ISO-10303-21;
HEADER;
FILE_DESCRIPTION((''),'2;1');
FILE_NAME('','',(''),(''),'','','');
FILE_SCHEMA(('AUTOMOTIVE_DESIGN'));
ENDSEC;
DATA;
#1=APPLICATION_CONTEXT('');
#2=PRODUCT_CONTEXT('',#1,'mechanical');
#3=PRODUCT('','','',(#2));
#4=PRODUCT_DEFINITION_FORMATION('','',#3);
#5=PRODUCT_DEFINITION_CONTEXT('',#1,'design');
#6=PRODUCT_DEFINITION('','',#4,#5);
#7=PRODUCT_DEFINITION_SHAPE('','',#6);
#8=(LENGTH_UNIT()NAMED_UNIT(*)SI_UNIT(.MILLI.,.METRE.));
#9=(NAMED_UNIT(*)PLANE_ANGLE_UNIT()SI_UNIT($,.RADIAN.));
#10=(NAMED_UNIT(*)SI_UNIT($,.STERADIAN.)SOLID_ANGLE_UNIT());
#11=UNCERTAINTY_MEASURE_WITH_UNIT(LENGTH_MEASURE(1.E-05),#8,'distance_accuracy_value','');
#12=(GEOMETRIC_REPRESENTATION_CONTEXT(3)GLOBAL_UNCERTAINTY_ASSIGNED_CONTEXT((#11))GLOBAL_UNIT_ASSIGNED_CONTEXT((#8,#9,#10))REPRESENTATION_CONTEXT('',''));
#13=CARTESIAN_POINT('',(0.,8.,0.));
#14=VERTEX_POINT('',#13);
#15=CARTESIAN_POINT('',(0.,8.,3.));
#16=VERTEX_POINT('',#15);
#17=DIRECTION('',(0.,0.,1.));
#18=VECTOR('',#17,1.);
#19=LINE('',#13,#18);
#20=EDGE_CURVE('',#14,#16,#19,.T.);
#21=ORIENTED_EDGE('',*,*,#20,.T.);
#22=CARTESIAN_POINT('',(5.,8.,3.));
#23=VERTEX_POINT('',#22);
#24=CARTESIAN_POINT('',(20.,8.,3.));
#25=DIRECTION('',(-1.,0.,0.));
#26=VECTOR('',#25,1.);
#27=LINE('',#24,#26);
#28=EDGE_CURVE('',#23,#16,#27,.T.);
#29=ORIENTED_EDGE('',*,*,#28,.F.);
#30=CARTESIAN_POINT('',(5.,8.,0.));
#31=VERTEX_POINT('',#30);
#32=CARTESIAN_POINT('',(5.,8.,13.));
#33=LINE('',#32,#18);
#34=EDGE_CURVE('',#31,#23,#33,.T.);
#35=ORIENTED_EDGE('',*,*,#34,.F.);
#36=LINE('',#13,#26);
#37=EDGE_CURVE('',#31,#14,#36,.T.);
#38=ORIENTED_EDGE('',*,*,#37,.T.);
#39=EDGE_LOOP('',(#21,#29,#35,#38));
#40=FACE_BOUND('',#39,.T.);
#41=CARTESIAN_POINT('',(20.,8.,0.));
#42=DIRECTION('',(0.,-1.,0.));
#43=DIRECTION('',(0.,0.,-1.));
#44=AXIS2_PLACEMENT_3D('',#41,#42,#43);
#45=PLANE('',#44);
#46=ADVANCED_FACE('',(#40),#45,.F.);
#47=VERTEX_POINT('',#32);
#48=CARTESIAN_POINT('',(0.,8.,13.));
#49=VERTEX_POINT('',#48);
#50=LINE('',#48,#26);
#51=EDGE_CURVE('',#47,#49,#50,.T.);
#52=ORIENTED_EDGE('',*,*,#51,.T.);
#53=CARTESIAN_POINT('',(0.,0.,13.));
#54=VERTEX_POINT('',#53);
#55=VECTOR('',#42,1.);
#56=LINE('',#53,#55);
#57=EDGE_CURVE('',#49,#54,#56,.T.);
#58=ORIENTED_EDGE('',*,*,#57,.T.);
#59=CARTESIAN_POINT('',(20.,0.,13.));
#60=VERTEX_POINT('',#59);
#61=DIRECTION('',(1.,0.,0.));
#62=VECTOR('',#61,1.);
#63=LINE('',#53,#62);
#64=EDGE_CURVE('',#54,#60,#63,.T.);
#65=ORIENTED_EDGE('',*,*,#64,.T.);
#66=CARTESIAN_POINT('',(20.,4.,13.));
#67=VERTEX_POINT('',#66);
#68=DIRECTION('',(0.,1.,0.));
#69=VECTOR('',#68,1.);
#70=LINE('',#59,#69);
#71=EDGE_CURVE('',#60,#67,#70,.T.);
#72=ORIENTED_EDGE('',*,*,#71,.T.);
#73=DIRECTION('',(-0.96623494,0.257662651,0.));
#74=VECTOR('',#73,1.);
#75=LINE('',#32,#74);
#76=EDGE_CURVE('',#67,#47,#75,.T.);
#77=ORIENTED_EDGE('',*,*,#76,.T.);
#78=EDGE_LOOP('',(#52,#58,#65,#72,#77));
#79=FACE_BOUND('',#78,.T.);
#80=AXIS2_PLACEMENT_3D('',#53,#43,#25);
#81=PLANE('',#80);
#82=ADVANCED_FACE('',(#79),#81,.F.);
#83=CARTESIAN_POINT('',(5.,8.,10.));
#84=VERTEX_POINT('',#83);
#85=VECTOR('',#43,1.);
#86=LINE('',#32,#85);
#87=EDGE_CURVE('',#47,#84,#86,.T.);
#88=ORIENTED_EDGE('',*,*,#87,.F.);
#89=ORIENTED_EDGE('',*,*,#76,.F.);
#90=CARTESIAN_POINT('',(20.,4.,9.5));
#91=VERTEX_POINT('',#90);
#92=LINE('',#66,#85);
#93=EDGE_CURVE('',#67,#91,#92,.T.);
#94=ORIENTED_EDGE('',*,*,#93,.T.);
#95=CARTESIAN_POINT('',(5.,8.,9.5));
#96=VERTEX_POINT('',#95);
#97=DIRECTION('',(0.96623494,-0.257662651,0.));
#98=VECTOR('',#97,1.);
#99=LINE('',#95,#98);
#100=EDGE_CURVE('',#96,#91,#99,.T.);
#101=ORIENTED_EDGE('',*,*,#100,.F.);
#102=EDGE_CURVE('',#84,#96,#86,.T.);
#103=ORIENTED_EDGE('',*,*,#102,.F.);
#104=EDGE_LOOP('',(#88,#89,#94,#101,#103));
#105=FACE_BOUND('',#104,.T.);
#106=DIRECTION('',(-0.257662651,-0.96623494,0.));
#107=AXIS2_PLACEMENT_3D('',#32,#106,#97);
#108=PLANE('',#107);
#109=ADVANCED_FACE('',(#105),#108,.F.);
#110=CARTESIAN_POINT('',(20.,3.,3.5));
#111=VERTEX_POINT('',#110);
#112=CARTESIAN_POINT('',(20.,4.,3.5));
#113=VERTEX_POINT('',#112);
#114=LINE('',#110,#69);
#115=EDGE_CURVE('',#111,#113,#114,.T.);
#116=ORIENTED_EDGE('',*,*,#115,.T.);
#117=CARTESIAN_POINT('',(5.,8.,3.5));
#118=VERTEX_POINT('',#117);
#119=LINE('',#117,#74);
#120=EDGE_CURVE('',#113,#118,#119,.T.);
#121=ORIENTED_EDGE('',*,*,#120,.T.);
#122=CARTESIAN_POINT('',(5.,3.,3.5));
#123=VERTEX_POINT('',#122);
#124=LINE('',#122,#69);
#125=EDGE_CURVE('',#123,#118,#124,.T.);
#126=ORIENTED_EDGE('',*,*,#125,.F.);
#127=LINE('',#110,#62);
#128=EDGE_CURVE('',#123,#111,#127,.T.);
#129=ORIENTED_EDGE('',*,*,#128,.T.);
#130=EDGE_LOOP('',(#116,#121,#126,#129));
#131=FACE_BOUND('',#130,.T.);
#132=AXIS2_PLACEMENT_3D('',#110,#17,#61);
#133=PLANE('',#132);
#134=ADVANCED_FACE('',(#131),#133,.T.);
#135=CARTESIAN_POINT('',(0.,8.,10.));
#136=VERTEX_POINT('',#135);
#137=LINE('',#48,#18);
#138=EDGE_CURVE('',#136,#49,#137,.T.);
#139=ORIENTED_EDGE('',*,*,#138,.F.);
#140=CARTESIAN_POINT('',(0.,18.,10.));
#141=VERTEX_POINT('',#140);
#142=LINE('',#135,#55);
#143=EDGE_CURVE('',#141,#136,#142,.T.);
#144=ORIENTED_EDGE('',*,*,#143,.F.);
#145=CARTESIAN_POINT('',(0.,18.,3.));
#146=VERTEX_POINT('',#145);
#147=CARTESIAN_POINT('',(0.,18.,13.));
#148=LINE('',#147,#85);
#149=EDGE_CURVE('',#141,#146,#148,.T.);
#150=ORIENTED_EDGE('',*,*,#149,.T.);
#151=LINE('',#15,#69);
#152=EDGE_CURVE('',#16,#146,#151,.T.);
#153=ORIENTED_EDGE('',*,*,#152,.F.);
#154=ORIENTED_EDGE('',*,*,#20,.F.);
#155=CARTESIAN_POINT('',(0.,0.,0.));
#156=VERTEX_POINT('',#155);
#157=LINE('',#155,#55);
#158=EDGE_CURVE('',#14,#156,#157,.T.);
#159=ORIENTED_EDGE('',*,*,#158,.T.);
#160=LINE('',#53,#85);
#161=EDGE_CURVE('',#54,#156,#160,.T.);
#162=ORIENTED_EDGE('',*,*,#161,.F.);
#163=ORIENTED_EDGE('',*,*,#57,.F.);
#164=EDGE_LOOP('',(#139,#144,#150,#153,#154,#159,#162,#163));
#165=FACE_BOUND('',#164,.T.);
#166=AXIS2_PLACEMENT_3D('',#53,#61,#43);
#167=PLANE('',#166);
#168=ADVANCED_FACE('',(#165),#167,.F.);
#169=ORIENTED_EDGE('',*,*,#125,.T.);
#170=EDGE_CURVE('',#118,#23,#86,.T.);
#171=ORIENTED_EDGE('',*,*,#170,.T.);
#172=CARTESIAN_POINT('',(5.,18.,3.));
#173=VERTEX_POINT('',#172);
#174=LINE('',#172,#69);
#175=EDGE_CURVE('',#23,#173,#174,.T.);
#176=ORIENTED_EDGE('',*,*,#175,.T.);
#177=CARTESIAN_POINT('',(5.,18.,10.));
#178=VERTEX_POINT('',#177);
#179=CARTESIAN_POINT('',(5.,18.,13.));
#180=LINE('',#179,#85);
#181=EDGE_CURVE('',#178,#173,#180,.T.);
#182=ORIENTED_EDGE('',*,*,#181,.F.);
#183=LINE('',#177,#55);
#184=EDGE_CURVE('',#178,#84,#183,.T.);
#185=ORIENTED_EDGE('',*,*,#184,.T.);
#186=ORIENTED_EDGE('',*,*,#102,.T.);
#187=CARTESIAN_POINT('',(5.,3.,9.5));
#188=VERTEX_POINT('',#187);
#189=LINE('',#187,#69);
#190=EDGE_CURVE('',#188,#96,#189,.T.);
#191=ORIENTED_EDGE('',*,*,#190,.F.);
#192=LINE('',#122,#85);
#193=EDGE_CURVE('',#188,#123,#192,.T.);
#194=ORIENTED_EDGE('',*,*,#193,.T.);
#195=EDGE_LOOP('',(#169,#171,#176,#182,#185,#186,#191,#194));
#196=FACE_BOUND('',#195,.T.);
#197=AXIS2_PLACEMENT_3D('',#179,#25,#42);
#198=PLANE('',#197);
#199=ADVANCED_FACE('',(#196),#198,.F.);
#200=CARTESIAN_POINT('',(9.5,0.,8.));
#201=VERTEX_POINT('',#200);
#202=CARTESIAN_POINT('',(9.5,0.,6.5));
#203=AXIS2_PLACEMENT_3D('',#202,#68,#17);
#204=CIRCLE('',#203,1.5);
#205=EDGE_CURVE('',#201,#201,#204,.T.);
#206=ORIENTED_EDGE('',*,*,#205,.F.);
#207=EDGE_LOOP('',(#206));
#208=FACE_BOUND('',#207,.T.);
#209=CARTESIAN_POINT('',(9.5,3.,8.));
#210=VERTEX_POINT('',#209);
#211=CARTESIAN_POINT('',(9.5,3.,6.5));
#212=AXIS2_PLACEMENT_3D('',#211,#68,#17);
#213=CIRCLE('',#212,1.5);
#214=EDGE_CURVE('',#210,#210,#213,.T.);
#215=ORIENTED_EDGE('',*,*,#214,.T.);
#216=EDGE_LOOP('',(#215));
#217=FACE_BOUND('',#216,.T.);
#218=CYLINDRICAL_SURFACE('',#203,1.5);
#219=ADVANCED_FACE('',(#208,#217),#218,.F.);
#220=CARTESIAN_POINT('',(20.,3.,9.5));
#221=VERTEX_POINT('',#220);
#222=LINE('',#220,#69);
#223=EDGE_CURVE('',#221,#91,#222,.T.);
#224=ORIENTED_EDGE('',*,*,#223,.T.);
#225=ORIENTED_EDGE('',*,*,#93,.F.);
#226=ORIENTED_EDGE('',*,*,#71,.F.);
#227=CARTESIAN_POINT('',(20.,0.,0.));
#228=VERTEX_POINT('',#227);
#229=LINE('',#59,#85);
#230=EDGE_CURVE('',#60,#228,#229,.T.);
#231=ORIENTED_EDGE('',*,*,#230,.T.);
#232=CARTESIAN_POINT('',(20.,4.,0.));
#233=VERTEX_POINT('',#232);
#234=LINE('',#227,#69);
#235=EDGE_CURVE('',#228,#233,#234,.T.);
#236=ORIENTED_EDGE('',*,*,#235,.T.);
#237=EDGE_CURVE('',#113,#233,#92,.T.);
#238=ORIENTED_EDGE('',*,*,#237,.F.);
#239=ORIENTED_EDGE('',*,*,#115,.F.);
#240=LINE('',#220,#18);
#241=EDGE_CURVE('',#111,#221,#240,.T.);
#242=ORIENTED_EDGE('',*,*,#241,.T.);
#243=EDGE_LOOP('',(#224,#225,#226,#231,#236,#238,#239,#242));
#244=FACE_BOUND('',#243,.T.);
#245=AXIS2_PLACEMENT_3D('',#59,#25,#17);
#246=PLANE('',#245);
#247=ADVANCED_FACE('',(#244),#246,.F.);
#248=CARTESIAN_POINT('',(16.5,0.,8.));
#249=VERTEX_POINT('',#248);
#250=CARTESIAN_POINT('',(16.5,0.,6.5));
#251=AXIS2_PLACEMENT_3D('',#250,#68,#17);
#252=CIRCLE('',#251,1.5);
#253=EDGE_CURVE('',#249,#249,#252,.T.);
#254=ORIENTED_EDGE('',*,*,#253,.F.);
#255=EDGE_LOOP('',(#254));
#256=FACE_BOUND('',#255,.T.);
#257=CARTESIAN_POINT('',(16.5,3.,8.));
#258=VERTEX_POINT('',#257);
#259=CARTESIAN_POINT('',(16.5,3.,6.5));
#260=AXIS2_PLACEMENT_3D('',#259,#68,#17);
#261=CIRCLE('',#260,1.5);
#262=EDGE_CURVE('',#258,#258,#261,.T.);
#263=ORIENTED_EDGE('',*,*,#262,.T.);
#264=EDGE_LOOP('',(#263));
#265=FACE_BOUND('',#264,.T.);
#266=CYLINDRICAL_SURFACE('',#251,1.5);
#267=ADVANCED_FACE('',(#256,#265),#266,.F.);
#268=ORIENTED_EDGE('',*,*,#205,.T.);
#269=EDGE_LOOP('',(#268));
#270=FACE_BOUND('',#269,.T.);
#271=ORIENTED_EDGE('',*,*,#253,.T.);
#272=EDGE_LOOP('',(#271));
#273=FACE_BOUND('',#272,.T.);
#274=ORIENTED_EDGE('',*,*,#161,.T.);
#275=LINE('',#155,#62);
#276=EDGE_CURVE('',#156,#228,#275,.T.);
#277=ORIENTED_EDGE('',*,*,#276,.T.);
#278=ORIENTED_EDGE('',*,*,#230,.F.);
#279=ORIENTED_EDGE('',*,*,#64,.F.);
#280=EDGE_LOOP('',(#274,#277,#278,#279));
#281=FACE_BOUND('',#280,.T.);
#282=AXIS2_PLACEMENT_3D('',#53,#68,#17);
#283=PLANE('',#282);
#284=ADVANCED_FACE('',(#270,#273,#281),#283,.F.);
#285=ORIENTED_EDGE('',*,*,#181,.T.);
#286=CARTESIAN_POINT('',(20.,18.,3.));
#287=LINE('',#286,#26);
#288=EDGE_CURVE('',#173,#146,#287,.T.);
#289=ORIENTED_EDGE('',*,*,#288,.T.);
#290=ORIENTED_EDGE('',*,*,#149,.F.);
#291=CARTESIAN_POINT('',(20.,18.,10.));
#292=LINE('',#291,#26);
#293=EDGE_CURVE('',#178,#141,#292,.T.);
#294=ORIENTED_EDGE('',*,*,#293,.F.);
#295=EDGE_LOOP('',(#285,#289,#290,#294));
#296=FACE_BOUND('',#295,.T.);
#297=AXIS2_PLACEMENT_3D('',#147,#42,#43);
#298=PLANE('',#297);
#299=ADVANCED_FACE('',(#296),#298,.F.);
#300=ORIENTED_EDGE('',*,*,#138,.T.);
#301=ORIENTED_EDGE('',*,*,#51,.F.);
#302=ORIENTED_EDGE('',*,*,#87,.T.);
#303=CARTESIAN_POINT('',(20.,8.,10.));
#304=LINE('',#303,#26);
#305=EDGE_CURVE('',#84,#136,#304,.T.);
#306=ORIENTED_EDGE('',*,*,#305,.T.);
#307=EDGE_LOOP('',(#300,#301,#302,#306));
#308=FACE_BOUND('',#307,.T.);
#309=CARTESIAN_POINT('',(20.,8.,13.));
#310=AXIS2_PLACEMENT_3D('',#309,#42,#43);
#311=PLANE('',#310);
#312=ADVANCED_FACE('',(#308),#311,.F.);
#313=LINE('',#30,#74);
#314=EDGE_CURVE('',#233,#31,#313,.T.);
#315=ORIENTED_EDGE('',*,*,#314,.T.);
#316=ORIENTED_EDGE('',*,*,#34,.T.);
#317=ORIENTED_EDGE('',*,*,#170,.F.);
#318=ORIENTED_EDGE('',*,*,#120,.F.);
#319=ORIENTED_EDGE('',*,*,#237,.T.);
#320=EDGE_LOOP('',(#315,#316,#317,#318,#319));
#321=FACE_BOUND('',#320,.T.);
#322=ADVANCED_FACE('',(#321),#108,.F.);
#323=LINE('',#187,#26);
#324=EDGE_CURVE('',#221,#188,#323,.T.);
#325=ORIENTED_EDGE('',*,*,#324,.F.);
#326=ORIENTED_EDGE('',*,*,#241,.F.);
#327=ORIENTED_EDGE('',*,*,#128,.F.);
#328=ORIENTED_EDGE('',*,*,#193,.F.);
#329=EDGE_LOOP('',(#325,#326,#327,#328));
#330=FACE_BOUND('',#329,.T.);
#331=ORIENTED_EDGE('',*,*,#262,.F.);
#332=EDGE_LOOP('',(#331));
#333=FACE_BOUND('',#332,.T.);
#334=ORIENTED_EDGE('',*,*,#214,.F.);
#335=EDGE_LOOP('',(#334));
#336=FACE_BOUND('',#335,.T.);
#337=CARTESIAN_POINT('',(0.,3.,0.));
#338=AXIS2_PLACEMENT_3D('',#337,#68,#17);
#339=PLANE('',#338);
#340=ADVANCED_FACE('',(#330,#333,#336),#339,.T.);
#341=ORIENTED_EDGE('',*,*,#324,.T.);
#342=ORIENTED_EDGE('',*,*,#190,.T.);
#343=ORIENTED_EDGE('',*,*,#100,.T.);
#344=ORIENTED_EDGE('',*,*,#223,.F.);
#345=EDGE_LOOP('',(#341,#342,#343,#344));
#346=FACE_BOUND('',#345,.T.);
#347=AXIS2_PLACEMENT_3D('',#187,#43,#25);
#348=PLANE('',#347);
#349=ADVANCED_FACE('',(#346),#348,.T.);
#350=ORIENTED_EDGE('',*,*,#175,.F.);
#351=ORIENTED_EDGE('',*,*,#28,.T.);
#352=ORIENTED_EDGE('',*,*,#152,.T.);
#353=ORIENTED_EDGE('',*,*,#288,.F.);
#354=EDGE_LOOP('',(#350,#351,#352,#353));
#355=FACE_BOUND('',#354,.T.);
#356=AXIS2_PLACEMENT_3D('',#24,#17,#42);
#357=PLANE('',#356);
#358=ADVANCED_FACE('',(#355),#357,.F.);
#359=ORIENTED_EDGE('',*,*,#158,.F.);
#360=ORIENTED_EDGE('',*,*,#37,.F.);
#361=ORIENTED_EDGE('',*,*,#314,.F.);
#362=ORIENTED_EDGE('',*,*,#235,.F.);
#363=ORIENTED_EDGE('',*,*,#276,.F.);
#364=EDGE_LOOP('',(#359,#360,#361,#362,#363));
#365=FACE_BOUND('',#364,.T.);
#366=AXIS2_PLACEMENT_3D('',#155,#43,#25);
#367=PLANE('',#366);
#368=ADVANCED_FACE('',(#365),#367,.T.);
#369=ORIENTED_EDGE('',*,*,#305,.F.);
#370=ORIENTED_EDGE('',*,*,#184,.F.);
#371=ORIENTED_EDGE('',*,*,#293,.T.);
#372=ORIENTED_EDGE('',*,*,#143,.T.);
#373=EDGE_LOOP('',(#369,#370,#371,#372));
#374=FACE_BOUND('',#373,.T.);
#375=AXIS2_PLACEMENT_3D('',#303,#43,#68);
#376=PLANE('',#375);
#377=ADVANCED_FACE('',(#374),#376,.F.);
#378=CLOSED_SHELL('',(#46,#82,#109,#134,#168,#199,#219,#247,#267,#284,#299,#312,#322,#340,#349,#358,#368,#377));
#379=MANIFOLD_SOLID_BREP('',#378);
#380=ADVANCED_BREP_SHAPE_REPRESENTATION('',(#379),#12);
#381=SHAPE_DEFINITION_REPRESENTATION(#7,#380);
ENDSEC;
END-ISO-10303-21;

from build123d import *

# Parameters (mm, degrees)
EXTRUDE_1_DEPTH     = 13
SKETCH_2_W          = 3
SKETCH_2_H          = 10
CUT_EXTRUDE_1_DEPTH = 30.883105595
CUT_EXTRUDE_2_DEPTH = 5
SKETCH_4_R          = 1.5
CUT_EXTRUDE_3_DEPTH = 29.178005607


with BuildPart() as part:
    # 草图1 → 凸台-拉伸1 (new body)
    with BuildSketch(Plane.XY):
        Polygon((0, 0), (20, 0), (20, 4), (5, 8), (5, 18), (0, 18), align=None)
    extrude(amount=EXTRUDE_1_DEPTH)

    # 草图2 → 切除-拉伸1 (cut, through all)
    with BuildSketch(Plane.ZY):
        with Locations((1.5, 13)):
            Rectangle(SKETCH_2_W, SKETCH_2_H)
        with Locations((11.5, 13)):
            Rectangle(SKETCH_2_W, SKETCH_2_H)
    extrude(amount=-CUT_EXTRUDE_1_DEPTH, mode=Mode.SUBTRACT)

    # 草图3 → 切除-拉伸2 (cut)
    with BuildSketch(Plane(origin=(0, 8, 0), x_dir=(-1, 0, 0), z_dir=(0, -1, 0))):
        Polygon((-5, -6.5), (-5, -9.5), (-20, -9.5), (-20, -3.5), (-5, -3.5), align=None)
    extrude(amount=CUT_EXTRUDE_2_DEPTH, mode=Mode.SUBTRACT)

    # 草图4 → 切除-拉伸3 (cut, through all)
    with BuildSketch(Plane(origin=(0, 3, 0), x_dir=(1, 0, 0), z_dir=(0, 1, 0))):
        with Locations(Location((16.5, -6.5, 0), (0, 0, 270))):
            Circle(SKETCH_4_R)
        with Locations(Location((9.5, -6.5, 0), (0, 0, 270))):
            Circle(SKETCH_4_R)
    extrude(amount=-CUT_EXTRUDE_3_DEPTH, mode=Mode.SUBTRACT)


solid = part.part
